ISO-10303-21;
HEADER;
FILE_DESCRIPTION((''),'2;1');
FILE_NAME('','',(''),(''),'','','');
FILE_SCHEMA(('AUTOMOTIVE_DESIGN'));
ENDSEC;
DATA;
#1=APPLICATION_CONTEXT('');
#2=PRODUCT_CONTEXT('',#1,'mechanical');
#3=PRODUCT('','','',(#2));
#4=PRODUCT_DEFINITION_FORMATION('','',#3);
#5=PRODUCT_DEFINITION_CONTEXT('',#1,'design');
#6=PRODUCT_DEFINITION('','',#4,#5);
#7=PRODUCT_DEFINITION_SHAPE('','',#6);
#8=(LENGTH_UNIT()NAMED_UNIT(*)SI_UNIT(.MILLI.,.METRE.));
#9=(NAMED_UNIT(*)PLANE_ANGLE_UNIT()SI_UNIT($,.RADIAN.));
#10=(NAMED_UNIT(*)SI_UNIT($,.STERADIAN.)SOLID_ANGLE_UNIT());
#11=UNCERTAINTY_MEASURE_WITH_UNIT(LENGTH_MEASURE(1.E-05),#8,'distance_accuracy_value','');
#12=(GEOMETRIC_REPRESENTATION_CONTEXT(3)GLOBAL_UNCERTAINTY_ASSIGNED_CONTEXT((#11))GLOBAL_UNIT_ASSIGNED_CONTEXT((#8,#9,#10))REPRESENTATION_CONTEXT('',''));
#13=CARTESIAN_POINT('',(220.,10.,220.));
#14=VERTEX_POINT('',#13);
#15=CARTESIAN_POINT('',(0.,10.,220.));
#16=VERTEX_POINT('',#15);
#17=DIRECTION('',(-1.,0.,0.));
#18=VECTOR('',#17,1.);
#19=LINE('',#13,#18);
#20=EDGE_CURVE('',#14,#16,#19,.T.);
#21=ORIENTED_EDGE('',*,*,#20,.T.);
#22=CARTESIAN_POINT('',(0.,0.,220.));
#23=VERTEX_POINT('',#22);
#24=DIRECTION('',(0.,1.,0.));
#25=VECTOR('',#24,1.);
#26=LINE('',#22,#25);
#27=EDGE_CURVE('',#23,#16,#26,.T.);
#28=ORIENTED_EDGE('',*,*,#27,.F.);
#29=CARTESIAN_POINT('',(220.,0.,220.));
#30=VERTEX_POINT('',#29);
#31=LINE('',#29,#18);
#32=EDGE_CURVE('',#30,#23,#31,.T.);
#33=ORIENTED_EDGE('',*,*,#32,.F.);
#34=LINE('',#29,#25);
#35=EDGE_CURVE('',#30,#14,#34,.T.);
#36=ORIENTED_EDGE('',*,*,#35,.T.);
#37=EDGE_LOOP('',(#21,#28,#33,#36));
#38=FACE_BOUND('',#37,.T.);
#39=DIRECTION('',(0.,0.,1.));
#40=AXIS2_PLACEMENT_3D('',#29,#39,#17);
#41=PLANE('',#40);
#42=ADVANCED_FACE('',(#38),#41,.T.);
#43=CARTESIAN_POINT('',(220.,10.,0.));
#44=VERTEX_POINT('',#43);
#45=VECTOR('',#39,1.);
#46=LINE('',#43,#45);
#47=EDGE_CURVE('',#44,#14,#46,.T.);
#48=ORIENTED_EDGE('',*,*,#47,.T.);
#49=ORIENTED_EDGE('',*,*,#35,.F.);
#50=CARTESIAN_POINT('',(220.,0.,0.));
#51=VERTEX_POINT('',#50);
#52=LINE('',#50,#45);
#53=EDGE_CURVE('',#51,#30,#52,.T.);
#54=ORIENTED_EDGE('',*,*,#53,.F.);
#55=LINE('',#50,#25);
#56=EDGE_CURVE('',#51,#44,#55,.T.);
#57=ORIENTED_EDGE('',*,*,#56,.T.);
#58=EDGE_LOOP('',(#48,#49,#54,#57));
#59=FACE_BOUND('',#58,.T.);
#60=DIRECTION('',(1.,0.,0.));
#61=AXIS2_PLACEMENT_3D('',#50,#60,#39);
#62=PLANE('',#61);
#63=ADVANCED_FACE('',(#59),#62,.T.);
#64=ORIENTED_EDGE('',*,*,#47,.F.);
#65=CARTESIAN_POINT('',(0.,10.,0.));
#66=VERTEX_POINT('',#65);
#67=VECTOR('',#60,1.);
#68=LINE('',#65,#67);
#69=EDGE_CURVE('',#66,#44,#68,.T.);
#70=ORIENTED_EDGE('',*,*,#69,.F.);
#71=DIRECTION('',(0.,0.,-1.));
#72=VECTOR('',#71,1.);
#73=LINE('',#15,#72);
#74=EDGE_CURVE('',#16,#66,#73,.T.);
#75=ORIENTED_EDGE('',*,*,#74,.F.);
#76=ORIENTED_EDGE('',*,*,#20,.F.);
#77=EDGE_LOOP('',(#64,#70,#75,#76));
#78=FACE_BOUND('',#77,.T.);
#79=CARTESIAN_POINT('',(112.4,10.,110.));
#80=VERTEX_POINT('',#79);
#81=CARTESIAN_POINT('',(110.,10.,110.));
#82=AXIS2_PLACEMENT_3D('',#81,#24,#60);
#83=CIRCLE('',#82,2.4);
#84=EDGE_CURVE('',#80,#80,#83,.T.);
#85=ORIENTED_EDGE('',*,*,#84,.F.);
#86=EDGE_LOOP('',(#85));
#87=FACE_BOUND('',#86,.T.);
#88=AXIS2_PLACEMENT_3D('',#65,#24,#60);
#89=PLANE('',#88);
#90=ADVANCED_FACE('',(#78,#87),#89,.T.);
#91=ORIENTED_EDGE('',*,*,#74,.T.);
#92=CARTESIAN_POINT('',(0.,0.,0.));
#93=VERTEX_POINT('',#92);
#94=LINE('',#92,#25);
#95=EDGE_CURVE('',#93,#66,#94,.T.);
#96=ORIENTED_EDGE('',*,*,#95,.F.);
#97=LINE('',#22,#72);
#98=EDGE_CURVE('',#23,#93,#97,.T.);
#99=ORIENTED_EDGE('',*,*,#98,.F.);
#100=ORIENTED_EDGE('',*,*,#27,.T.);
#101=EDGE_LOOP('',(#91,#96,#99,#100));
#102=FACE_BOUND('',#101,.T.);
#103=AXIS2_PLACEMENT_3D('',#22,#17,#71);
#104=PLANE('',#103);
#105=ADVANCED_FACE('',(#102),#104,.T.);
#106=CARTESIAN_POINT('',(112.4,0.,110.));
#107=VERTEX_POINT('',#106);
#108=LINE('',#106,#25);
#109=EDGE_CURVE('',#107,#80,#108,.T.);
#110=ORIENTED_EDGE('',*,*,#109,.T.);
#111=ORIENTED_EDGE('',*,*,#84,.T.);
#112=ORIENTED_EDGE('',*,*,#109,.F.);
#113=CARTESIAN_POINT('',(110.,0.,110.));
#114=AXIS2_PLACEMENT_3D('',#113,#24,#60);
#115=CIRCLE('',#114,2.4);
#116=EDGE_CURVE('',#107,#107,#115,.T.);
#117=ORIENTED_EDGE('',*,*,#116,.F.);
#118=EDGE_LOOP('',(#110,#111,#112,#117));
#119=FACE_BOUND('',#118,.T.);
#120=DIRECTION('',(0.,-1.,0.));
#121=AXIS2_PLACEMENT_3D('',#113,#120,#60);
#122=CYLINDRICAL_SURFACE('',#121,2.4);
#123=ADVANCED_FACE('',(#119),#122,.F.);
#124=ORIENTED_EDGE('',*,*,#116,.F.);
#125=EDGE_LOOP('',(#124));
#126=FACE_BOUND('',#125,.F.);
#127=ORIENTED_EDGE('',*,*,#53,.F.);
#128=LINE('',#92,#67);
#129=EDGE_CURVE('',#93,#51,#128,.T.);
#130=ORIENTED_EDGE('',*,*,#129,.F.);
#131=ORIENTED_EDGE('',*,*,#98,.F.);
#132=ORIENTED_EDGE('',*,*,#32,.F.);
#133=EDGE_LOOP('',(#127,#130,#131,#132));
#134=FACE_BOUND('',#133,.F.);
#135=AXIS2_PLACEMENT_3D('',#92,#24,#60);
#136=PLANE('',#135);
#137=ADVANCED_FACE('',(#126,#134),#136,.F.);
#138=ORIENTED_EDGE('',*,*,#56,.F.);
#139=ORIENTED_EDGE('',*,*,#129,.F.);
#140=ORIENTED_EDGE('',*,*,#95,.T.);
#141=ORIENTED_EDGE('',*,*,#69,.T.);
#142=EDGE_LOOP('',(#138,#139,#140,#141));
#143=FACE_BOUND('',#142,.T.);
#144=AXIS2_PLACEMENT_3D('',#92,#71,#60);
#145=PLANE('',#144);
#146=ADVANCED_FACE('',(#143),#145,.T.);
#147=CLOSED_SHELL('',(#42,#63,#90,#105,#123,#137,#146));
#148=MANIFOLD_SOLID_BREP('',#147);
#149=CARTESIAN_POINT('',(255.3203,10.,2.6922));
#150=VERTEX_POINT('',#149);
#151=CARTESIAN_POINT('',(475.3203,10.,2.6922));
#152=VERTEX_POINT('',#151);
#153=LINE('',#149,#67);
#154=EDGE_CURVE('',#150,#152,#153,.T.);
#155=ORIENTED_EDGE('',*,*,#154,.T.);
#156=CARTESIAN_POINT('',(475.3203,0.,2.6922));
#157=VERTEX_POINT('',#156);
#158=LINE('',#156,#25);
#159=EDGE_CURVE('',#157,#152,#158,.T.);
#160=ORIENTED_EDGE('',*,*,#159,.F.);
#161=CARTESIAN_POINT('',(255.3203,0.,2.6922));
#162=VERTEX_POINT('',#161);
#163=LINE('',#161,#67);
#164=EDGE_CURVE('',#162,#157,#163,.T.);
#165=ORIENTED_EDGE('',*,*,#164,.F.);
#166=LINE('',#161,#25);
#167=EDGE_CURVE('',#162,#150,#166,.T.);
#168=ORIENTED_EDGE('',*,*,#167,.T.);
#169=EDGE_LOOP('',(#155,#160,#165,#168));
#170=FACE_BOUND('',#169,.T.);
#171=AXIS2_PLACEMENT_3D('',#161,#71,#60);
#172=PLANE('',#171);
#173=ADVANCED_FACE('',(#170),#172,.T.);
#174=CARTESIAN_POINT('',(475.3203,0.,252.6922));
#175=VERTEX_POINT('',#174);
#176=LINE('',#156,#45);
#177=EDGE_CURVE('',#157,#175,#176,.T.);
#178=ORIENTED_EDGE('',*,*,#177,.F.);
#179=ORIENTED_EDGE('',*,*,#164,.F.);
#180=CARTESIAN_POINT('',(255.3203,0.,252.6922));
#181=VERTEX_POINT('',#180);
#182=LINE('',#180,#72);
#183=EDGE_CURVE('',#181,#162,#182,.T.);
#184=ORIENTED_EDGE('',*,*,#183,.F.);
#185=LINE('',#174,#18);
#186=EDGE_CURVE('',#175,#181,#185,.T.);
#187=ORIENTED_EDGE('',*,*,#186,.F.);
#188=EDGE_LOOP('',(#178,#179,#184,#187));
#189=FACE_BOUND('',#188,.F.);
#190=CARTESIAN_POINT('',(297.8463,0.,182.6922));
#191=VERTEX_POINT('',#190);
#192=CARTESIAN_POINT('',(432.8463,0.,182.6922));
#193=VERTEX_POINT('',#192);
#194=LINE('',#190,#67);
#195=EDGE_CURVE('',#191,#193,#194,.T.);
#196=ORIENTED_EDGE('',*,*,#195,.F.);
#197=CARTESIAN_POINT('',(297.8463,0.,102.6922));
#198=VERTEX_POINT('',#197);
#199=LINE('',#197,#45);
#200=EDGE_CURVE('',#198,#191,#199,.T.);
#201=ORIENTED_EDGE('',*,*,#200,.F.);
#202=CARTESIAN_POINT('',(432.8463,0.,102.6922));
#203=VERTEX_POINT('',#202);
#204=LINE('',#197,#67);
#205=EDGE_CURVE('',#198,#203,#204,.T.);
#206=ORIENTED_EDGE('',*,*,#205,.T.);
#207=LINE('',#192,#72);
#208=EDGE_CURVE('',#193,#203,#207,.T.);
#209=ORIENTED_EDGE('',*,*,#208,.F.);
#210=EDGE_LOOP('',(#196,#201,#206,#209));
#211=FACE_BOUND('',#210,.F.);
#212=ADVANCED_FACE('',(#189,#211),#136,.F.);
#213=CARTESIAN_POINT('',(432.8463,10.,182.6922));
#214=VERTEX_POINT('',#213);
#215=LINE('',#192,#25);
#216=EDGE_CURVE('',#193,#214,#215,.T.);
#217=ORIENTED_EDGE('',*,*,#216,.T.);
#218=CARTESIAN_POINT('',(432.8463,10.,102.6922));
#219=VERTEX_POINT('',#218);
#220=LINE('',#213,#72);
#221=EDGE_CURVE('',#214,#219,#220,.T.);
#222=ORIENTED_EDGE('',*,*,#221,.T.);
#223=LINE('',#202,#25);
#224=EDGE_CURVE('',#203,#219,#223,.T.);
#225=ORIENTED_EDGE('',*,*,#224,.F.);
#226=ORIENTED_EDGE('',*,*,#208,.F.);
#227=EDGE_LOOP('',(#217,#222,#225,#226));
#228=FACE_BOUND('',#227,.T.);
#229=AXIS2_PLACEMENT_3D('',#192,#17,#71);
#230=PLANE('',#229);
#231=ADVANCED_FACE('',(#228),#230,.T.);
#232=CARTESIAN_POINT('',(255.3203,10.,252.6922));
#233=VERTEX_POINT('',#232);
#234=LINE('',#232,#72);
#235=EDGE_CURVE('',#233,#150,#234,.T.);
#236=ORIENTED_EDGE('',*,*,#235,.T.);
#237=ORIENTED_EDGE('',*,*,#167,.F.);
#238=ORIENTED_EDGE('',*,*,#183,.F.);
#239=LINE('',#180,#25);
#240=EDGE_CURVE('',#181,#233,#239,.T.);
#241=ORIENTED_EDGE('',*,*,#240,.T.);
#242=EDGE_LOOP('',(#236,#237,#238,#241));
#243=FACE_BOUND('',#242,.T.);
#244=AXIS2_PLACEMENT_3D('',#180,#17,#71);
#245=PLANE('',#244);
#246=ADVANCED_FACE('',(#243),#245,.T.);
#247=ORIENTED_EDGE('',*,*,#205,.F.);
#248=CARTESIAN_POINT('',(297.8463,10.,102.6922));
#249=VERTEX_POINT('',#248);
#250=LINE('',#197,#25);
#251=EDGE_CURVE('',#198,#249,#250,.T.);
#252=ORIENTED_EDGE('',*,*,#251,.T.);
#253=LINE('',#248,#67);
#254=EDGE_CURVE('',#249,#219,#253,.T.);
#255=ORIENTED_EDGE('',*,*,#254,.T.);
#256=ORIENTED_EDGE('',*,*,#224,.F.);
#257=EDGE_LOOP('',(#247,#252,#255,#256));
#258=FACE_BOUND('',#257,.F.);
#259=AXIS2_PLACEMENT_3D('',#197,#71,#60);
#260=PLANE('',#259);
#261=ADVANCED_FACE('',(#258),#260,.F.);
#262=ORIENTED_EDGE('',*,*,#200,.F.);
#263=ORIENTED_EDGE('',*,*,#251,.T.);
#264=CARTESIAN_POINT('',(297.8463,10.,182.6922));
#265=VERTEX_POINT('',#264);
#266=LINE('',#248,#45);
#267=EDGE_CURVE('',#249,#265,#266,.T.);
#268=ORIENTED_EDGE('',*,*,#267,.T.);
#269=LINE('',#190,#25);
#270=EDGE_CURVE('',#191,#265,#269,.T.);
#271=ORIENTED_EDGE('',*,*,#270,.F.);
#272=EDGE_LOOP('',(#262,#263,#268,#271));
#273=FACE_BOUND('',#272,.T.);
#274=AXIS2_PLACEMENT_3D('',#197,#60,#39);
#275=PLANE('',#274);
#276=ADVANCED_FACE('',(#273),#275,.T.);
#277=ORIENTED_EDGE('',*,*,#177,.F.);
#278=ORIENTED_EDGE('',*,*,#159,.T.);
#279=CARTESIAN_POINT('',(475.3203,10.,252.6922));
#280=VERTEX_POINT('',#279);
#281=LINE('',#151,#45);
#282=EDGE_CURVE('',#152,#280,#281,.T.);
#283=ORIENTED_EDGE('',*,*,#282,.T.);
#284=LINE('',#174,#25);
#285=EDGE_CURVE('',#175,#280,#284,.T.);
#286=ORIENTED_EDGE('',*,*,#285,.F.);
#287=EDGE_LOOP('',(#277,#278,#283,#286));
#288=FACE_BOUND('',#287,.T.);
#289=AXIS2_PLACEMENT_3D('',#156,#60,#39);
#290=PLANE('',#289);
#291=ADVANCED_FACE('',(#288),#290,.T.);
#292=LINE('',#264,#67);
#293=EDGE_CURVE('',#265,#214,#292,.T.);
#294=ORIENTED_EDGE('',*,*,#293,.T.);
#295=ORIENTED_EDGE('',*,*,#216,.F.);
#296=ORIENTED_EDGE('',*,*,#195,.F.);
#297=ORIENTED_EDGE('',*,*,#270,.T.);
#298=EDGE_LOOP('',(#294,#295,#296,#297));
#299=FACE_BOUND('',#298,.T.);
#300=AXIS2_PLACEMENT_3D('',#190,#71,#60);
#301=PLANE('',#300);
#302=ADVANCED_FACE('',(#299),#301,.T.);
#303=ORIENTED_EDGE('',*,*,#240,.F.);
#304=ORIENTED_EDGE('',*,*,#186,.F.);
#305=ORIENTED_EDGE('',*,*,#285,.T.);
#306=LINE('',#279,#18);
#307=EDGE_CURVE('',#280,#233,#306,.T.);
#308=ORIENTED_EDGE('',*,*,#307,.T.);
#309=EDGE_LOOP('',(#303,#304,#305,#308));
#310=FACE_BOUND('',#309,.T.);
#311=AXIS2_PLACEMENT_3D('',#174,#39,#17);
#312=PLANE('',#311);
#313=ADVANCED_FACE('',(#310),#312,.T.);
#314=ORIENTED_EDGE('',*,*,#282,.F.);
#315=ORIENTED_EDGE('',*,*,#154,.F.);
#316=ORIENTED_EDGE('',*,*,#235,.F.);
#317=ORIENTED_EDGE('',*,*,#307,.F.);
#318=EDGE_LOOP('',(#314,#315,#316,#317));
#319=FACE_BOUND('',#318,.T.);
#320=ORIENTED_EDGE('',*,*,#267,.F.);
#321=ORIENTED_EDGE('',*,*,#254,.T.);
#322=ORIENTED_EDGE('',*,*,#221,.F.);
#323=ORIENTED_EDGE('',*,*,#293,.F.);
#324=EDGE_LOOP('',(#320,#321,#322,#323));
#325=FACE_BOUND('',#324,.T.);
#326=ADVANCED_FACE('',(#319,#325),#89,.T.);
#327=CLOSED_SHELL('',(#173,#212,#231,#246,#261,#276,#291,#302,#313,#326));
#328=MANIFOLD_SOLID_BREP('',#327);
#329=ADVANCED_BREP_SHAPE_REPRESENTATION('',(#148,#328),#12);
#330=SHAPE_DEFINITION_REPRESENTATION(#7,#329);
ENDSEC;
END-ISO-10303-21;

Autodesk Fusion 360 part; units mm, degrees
sketch "Sketch1" plane through (0, 0, 0) normal (0, 1, 0) x (1, 0, 0)
  line L0 (0, 0) -> (220, 0)
  line L1 (220, 0) -> (220, -220)
  line L2 (220, -220) -> (0, -220)
  line L3 (0, -220) -> (0, 0)
  circle A0 centre (110, -110) radius 2.4
  line L4 (255.3203, -2.6922) -> (475.3203, -2.6922)
  line L5 (475.3203, -2.6922) -> (475.3203, -252.6922)
  line L6 (475.3203, -252.6922) -> (255.3203, -252.6922)
  line L7 (255.3203, -252.6922) -> (255.3203, -2.6922)
  line L8 (297.8463, -102.6922) -> (297.8463, -182.6922)
  line L9 (297.8463, -102.6922) -> (432.8463, -102.6922)
  line L10 (297.8463, -182.6922) -> (432.8463, -182.6922)
  line L11 (432.8463, -182.6922) -> (432.8463, -102.6922)
  dimension "d1" = 220
  dimension "d2" = 220
  dimension "d3" = 4.8
  dimension "d4" = 250
  dimension "d5" = 220
  dimension "d10" = 135
  dimension "d12" = 80
extrude "Extrude1" add sketch "Sketch1" along normal blind 10 contours L0 L1 L2 L3 makes body 1
extrude "Extrude2" add sketch "Sketch1" along normal blind 10 separate body contours L4 L5 L6 L7 makes body 2
